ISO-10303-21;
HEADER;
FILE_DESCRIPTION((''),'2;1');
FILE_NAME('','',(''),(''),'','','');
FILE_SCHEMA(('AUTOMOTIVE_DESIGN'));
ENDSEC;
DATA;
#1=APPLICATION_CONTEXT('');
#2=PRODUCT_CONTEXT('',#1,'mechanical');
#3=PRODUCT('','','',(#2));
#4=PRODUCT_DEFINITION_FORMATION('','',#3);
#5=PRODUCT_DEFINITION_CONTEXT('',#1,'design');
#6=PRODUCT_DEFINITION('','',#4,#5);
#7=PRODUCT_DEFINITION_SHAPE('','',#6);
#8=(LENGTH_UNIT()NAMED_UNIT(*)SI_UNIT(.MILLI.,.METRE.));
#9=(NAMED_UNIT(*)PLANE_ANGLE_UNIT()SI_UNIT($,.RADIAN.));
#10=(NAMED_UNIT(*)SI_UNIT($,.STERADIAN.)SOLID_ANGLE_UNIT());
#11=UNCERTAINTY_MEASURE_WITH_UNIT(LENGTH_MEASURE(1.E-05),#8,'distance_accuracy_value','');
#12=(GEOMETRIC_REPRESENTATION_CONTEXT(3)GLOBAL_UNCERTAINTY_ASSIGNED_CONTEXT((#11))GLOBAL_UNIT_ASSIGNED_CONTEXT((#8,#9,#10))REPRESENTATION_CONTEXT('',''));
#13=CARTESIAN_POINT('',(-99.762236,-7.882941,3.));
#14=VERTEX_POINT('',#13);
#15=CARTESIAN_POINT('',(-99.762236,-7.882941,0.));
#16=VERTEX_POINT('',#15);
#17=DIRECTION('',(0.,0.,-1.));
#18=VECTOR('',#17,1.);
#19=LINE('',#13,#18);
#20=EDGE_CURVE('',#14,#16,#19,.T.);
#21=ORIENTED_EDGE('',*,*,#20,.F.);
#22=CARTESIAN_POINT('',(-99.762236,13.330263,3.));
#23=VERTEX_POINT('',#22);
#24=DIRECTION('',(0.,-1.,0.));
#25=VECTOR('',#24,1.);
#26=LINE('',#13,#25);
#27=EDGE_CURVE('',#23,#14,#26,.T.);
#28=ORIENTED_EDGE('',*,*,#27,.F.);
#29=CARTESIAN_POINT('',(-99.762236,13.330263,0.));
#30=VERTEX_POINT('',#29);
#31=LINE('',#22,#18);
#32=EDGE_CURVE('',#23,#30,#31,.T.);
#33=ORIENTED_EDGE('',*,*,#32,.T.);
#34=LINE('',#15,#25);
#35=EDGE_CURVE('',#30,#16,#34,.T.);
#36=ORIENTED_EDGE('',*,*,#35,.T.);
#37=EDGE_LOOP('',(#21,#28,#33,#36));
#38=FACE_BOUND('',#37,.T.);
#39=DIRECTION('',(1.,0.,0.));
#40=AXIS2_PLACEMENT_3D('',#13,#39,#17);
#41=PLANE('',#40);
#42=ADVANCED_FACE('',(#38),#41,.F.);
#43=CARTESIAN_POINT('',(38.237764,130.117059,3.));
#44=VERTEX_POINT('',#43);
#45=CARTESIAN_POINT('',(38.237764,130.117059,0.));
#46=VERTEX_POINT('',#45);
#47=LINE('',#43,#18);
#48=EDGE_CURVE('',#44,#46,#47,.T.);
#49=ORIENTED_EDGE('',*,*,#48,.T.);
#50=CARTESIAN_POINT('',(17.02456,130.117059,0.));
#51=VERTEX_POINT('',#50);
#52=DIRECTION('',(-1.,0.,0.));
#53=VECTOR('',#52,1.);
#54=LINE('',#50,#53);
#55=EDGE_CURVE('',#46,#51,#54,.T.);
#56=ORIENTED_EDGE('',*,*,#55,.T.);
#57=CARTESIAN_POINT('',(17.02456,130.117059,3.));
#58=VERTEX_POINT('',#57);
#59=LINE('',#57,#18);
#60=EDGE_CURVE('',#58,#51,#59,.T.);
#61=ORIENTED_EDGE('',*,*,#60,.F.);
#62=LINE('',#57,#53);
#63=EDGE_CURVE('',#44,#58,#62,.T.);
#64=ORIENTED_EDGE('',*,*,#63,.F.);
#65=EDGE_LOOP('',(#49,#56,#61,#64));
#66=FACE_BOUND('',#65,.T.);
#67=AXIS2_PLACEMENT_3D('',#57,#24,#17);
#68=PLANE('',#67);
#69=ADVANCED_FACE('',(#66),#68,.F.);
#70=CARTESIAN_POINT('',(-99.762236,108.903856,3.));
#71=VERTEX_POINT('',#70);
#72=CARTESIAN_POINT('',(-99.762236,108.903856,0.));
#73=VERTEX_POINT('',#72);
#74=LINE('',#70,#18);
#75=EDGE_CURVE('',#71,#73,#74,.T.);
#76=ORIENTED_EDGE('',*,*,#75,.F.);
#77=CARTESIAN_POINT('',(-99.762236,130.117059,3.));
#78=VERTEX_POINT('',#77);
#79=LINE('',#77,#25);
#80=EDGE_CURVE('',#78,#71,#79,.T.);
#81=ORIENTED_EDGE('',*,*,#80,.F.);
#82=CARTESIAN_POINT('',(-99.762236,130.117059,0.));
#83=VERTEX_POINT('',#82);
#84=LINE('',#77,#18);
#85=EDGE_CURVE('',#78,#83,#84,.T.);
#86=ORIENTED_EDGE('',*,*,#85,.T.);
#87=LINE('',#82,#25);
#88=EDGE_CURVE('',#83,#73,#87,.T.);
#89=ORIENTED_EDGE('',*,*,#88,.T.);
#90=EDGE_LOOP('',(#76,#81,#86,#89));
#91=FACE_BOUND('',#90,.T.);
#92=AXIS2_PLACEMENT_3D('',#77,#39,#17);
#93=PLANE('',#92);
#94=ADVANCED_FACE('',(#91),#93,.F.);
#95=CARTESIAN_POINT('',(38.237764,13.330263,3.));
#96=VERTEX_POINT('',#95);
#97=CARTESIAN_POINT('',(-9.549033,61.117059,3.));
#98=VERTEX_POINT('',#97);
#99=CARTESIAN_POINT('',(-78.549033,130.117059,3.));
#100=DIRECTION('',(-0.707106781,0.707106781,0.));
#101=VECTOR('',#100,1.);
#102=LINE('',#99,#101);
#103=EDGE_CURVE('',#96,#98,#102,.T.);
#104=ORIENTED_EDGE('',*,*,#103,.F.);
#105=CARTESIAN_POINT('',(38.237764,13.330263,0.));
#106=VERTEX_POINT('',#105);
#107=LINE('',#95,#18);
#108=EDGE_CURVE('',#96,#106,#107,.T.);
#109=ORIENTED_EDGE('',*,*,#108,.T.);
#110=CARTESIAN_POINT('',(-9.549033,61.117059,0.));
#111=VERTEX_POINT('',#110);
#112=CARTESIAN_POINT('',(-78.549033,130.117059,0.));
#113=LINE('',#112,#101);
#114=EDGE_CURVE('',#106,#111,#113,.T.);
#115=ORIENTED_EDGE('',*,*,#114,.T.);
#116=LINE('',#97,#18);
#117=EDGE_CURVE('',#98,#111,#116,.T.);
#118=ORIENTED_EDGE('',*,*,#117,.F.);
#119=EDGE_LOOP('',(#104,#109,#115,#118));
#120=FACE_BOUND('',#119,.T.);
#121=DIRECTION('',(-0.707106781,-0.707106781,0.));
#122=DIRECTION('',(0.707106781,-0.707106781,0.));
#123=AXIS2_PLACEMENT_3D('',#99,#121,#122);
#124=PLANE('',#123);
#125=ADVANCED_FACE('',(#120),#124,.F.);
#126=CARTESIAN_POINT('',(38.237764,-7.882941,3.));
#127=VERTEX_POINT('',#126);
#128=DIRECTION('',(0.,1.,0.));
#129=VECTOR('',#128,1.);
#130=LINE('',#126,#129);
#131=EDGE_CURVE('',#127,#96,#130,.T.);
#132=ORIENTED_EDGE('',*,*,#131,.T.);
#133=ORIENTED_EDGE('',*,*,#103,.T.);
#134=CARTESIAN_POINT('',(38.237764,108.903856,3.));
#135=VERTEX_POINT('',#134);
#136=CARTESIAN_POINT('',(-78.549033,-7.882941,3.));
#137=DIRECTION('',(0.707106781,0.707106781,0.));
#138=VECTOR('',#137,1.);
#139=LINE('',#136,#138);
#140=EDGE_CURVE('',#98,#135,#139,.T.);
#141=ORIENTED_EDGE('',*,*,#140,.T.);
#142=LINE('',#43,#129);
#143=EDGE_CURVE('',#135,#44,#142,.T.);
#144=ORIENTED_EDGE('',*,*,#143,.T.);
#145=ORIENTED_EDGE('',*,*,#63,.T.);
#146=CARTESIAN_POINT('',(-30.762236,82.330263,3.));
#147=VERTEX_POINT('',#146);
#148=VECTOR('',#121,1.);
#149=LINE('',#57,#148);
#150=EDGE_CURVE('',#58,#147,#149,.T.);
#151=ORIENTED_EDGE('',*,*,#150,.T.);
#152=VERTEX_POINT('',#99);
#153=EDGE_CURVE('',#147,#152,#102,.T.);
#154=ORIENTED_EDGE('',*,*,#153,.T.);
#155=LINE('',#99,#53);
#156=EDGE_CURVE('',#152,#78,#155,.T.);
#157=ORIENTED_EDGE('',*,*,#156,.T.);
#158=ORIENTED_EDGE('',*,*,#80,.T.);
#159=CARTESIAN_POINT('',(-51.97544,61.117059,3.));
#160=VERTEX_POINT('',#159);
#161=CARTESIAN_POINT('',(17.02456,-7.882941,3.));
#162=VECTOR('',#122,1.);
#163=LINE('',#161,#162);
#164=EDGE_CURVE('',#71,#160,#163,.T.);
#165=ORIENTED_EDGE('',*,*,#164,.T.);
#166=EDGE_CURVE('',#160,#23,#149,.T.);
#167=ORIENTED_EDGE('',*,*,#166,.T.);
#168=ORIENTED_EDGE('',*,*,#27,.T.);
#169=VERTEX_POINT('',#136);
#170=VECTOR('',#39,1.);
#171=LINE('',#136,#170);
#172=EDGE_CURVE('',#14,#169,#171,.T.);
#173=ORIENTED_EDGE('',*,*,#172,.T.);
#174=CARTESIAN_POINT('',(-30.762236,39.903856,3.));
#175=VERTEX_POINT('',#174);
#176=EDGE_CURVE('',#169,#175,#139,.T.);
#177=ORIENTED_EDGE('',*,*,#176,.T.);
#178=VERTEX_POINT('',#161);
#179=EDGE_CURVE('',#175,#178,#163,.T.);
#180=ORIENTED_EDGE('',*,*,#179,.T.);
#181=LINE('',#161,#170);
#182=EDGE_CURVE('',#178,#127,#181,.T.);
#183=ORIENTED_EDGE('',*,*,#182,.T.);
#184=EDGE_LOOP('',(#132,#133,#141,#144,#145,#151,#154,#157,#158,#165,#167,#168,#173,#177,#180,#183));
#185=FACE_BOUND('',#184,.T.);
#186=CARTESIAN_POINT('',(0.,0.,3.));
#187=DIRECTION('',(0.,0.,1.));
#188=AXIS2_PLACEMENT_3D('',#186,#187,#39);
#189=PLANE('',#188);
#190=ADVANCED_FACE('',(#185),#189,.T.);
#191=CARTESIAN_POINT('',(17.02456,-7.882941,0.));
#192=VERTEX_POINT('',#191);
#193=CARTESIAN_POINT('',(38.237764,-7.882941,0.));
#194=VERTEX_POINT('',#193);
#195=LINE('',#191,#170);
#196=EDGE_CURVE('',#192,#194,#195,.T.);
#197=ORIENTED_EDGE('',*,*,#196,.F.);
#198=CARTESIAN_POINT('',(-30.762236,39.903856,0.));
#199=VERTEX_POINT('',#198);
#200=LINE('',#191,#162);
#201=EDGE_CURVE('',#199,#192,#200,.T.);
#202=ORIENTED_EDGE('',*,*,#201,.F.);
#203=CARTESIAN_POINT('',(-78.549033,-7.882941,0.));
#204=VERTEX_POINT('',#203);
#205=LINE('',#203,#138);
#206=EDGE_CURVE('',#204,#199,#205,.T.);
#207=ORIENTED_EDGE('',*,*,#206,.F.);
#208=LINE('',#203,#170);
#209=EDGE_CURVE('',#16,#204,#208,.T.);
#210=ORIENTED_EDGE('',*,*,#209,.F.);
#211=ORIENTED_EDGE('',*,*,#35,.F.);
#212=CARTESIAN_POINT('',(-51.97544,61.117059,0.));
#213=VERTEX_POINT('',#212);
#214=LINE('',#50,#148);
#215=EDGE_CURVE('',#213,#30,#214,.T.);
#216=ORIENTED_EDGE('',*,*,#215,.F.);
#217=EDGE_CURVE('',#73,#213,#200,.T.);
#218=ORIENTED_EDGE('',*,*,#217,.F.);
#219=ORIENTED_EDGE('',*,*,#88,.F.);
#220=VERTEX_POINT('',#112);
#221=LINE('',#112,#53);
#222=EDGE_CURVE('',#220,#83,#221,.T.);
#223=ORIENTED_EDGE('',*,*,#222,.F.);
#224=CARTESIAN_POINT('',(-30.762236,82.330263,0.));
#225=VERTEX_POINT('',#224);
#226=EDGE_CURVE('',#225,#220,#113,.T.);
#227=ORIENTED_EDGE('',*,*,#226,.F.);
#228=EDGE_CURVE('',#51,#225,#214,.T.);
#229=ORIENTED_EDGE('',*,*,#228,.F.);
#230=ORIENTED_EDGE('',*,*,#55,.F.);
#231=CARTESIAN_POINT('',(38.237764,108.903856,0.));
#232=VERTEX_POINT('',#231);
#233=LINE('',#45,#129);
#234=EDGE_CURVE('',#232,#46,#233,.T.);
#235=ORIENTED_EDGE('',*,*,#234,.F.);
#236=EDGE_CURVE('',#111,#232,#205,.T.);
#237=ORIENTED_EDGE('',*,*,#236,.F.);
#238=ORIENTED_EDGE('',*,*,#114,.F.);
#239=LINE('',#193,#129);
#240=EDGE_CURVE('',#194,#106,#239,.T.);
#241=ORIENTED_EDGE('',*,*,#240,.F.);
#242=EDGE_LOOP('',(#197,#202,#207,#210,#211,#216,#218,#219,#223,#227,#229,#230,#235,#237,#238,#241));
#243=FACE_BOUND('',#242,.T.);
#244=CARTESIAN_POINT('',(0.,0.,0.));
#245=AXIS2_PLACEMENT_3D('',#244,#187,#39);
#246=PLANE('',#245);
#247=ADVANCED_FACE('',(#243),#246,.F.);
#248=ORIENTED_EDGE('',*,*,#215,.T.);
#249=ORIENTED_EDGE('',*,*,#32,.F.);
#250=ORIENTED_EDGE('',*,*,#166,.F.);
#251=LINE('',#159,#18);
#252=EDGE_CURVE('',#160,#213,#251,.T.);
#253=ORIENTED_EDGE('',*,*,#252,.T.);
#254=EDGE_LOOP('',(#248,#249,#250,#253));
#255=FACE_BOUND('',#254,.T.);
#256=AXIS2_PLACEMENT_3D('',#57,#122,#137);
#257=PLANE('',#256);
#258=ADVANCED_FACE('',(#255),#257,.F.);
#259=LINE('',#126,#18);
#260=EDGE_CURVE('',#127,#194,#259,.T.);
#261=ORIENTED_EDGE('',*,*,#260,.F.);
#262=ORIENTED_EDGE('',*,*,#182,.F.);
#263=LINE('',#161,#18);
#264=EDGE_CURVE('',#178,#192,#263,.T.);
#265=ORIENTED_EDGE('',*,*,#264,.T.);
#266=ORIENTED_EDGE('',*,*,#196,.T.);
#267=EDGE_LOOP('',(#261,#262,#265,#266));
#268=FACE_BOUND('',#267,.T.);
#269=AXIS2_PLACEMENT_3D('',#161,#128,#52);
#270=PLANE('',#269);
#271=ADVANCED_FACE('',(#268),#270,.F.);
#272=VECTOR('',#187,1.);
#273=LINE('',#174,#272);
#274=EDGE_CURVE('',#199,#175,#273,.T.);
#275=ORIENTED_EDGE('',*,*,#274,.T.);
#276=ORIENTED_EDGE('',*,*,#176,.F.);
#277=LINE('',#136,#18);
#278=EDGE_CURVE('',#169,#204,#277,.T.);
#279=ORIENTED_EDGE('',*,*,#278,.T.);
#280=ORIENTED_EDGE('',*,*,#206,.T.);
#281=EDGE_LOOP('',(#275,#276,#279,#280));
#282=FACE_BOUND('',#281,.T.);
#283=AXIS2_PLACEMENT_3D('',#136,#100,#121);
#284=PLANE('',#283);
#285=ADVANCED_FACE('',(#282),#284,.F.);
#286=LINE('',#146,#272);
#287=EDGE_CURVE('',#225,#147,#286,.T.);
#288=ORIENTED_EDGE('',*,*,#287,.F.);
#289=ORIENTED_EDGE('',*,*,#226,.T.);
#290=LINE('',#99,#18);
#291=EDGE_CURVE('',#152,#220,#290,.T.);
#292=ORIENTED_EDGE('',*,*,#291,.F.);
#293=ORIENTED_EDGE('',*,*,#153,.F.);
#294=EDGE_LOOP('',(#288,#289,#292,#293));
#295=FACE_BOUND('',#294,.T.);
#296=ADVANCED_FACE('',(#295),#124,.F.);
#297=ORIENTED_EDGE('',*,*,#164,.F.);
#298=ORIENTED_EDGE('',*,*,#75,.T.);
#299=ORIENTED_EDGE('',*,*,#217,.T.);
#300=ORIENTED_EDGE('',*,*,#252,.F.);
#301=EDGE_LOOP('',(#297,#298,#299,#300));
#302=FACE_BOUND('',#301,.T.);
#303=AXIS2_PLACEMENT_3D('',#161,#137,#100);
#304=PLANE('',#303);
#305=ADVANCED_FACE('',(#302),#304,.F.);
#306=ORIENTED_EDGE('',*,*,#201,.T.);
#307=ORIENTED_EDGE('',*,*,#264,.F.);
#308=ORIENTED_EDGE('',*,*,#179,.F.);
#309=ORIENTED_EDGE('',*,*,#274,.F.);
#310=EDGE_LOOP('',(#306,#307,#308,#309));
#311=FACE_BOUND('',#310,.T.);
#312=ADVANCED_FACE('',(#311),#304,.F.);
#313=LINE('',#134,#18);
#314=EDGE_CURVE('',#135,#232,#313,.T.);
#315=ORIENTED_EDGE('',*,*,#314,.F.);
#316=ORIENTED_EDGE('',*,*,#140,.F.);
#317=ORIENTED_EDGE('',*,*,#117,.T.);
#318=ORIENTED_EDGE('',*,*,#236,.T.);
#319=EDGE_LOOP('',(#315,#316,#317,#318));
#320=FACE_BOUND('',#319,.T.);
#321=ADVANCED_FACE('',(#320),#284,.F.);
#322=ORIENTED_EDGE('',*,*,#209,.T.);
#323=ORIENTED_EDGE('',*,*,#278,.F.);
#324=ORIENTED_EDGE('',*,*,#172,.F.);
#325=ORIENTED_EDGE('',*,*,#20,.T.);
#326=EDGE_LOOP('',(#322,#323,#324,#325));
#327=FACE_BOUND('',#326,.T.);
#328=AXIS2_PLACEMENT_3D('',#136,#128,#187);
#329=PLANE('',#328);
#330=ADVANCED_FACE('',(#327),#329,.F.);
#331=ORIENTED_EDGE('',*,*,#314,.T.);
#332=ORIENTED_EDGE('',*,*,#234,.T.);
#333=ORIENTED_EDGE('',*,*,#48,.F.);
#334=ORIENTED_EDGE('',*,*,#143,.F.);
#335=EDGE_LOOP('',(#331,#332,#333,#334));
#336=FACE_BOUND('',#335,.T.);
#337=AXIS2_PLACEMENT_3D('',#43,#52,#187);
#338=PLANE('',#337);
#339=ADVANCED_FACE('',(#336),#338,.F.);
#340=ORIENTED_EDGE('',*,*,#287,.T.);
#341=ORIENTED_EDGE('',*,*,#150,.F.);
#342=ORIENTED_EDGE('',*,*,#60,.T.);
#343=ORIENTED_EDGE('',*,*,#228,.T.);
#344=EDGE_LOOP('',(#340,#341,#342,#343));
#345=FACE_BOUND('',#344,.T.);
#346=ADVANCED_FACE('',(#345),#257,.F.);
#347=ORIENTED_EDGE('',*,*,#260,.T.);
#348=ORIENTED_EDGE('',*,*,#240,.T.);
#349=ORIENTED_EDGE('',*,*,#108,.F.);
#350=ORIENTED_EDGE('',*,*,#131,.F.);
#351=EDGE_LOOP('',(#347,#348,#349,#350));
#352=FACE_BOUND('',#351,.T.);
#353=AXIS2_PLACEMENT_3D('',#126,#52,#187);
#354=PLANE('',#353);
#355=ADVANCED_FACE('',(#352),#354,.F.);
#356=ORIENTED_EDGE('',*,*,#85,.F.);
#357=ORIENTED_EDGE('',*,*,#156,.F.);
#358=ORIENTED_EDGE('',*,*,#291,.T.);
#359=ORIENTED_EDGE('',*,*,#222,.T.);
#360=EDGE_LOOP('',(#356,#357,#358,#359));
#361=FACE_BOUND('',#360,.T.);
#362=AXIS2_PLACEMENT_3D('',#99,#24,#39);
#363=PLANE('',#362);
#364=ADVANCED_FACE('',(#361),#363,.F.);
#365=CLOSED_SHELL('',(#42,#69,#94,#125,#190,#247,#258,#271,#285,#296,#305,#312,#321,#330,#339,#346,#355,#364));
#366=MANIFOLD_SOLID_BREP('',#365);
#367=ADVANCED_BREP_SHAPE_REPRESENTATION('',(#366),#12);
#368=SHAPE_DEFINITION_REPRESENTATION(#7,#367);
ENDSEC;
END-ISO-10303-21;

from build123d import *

# Parameters (mm, degrees)
BOSS_EXTRUDE1_DEPTH = 3
BOSS_EXTRUDE2_DEPTH = 3


with BuildPart() as part:
    # Sketch7 → Boss-Extrude1 (new body)
    with BuildSketch(Plane.XY):
        Polygon((-78.549032868, 130.117059275), (38.237763696, 13.33026271), (38.237763696, -7.882940725), (17.02456026, -7.882940725), (-99.762236304, 108.903855839), (-99.762236304, 130.117059275), align=None)
    extrude(amount=BOSS_EXTRUDE1_DEPTH)

    # Sketch8 → Boss-Extrude2 (add)
    with BuildSketch(Plane.XY):
        Polygon((-78.549032868, -7.882940725), (38.237763696, 108.903855839), (38.237763696, 130.117059275), (17.02456026, 130.117059275), (-99.762236304, 13.33026271), (-99.762236304, -7.882940725), align=None)
    extrude(amount=BOSS_EXTRUDE2_DEPTH)


solid = part.part
